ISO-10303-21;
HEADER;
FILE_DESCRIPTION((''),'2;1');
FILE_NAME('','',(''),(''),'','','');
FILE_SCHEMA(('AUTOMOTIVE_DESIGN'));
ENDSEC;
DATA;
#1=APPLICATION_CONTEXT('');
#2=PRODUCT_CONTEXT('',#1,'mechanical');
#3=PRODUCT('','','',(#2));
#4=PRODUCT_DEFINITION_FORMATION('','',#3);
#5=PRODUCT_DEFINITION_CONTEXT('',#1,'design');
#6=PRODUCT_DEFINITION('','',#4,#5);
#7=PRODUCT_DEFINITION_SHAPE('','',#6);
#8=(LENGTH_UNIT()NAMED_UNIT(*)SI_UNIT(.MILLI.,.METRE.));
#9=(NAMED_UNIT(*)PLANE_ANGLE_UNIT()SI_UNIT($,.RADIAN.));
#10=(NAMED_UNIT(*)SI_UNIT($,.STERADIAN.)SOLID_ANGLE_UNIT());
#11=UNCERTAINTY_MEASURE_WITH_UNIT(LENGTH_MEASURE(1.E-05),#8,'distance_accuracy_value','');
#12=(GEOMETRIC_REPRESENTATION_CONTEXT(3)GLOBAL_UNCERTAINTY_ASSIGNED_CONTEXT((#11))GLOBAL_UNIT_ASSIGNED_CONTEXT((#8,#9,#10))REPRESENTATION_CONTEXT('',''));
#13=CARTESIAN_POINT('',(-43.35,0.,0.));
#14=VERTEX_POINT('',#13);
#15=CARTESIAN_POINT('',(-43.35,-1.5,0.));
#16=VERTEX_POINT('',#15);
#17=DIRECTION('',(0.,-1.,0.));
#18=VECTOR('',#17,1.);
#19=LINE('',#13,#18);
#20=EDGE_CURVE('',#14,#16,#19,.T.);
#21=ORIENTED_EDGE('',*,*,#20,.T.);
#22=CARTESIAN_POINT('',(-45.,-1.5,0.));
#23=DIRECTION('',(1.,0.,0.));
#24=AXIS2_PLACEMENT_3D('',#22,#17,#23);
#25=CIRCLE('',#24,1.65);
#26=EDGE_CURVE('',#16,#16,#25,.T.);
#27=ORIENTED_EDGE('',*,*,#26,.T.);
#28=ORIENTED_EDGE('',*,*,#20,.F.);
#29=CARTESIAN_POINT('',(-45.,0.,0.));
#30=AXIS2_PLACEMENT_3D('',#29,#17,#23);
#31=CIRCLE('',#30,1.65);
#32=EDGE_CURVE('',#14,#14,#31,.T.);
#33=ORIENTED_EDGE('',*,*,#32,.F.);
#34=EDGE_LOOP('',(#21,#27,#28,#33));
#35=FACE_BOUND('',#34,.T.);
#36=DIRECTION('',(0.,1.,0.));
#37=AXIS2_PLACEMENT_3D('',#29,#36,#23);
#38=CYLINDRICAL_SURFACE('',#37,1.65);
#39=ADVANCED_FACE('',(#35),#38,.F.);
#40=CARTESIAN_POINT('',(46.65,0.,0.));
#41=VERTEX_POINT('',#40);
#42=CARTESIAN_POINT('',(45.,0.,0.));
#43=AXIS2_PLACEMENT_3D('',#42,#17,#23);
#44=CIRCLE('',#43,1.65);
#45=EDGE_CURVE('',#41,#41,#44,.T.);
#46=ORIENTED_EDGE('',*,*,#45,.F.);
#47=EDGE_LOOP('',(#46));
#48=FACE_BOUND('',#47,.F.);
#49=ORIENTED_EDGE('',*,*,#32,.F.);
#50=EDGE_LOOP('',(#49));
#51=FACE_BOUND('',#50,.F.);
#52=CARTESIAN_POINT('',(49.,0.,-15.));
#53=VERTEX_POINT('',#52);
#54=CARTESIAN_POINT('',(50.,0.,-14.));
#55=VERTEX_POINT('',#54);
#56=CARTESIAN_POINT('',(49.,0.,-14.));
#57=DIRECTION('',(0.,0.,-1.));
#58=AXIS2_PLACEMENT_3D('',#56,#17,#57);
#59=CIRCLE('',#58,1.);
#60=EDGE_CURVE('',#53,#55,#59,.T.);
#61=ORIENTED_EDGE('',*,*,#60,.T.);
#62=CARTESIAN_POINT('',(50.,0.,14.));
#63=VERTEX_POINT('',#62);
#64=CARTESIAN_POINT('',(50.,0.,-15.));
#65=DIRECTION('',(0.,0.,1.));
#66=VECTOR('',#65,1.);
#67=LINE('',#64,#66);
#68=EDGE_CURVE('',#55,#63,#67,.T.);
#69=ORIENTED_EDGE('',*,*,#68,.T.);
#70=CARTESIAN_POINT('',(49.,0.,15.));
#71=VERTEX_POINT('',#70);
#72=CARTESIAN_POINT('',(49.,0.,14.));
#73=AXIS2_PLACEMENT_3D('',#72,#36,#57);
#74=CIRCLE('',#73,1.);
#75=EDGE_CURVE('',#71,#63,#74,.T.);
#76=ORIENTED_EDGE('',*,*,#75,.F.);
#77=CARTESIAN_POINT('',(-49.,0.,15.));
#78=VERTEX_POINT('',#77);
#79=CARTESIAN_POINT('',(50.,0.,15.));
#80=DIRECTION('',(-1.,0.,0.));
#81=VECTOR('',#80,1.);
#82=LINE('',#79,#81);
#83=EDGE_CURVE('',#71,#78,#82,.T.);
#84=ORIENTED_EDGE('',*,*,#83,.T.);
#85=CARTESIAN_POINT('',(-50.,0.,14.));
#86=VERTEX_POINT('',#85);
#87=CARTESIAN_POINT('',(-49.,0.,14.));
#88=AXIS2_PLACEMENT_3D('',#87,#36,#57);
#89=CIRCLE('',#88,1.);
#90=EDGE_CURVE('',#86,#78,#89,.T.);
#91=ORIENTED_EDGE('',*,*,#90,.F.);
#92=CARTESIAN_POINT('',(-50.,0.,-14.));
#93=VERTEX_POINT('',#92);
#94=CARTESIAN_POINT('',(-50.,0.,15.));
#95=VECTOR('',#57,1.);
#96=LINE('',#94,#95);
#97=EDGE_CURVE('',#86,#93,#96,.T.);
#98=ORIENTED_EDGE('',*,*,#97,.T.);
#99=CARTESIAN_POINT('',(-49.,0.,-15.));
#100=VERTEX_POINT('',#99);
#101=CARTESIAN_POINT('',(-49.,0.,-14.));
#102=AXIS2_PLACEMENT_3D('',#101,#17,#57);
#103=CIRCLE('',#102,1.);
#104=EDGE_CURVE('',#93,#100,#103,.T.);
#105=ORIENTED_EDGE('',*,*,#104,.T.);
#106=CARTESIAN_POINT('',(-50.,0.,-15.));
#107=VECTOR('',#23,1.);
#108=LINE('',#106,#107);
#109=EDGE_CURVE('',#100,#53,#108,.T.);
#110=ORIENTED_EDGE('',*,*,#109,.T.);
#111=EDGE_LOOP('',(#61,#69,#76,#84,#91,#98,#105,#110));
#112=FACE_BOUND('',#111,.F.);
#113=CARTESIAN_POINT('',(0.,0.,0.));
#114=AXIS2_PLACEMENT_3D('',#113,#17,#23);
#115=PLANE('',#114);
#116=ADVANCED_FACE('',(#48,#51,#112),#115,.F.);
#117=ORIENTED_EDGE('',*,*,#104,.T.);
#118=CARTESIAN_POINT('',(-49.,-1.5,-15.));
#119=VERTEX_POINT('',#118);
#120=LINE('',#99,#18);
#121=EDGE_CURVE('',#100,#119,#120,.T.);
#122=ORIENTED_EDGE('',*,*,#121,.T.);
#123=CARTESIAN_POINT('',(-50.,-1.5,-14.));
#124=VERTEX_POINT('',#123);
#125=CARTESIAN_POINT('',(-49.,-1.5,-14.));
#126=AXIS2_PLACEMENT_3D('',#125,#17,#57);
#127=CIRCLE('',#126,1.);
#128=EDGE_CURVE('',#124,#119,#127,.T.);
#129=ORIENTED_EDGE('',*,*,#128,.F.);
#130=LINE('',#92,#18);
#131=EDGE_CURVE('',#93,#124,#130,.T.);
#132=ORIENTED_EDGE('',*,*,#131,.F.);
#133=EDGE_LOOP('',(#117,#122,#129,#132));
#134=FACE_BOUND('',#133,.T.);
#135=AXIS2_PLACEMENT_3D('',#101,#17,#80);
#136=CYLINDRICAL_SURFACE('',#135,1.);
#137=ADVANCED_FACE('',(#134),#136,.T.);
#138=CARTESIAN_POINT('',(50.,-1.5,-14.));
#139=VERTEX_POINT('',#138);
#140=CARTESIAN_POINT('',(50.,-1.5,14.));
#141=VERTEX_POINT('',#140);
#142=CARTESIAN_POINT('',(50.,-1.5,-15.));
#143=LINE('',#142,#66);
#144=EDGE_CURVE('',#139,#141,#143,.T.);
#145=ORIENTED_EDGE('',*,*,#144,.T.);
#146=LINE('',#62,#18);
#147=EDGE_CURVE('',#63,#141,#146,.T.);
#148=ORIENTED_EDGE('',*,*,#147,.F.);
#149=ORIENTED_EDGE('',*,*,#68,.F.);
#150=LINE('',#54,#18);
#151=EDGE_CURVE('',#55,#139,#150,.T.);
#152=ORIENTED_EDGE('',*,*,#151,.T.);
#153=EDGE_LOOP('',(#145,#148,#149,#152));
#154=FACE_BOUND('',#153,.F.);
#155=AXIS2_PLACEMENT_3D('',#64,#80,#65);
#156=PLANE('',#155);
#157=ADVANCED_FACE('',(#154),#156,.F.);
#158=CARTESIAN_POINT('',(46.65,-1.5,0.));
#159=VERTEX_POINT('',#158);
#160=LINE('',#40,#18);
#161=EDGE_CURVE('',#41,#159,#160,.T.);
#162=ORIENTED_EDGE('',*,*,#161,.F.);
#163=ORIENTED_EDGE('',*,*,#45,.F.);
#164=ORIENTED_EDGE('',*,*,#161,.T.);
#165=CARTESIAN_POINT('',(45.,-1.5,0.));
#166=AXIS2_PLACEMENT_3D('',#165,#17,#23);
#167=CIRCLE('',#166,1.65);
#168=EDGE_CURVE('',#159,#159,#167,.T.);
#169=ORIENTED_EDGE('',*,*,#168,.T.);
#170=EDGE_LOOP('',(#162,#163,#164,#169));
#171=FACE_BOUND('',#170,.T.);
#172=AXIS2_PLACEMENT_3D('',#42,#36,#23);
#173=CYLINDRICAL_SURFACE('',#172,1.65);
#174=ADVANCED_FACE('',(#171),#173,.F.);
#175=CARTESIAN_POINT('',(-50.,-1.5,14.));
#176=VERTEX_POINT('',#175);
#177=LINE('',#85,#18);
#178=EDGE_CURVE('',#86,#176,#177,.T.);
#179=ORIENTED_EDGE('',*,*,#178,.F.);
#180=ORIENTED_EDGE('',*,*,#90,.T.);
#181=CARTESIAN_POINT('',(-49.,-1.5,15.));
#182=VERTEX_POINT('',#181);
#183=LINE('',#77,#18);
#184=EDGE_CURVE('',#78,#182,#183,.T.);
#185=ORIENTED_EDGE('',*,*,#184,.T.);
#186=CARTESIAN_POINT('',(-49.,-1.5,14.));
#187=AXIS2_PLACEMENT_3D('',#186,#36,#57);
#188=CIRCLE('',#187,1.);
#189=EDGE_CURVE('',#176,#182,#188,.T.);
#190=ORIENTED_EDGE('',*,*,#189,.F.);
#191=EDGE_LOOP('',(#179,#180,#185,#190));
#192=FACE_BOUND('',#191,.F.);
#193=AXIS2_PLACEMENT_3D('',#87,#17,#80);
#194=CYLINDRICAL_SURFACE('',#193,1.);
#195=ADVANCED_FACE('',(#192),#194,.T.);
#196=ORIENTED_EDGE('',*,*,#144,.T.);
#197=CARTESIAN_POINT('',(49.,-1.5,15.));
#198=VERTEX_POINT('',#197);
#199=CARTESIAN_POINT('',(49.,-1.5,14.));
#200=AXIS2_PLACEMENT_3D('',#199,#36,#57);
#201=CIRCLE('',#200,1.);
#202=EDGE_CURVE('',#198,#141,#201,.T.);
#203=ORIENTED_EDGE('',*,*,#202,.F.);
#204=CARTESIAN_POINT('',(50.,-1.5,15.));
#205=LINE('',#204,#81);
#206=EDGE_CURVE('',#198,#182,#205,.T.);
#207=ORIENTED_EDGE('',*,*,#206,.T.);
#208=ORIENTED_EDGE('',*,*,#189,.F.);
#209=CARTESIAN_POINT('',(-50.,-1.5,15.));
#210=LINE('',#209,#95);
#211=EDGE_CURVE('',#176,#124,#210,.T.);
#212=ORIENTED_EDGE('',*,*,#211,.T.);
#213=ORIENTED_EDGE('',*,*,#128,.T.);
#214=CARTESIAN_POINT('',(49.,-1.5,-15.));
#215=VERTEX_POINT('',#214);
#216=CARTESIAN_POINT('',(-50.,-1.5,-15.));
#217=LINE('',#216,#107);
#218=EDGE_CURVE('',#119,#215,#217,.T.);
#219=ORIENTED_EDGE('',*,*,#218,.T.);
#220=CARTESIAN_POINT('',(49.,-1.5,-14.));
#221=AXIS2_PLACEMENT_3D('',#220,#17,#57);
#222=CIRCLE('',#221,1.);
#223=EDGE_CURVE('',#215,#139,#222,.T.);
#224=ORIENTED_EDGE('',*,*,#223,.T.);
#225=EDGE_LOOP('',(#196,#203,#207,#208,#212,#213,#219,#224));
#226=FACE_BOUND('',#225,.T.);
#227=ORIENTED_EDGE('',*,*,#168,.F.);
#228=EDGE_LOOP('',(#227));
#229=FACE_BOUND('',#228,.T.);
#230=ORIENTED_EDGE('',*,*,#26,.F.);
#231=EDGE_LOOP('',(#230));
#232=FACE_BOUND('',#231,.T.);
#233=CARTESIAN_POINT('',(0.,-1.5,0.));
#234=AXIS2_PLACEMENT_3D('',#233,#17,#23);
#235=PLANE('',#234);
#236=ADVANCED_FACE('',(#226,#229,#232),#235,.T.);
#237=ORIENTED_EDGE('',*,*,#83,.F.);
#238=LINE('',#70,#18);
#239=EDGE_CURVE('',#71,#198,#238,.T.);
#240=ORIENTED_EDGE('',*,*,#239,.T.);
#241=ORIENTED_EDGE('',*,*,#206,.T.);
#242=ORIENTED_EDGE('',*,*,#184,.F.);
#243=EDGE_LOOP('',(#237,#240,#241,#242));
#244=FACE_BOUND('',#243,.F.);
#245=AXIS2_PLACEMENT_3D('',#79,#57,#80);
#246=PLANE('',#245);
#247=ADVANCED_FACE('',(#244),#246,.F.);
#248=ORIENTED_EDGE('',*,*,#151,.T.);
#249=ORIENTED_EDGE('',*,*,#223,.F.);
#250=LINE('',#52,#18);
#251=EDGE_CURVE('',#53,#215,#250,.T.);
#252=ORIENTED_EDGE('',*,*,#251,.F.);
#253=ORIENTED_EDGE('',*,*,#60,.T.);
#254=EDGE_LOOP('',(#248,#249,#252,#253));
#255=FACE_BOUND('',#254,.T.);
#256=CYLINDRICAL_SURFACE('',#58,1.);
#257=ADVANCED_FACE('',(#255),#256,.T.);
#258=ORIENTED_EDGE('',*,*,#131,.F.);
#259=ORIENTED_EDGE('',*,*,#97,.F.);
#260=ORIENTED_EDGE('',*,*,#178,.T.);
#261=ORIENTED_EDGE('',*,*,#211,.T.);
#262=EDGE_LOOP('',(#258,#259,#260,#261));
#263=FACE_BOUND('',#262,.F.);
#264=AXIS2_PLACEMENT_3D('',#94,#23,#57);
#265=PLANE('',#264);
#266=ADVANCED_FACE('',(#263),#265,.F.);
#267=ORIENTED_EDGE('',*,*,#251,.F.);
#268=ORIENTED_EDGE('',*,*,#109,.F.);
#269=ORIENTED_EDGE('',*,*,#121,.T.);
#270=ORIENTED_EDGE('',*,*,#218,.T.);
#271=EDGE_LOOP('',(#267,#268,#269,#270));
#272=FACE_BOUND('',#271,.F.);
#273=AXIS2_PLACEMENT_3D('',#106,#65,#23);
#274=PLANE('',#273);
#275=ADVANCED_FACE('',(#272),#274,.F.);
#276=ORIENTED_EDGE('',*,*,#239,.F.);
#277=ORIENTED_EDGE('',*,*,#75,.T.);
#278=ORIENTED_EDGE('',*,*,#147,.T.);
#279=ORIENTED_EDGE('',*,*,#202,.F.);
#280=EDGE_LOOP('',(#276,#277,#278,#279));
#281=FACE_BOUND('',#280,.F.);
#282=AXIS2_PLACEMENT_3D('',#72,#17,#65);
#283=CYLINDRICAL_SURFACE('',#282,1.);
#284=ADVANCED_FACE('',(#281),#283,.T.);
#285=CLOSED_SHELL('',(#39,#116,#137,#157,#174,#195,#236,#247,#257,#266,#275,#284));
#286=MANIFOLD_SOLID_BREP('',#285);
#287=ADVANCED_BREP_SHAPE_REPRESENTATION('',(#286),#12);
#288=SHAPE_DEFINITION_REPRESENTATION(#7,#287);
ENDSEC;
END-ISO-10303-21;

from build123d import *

# Parameters (mm, degrees)
F0_R     = 1.65
F1_DEPTH = 1.5
F2_R     = 1


with BuildPart() as f1:
    # F0 (on Front) → F1 (new body)
    with BuildSketch(Plane.XZ):
        Polygon((0, 15), (-50, 15), (-50, -15), (0, -15), (50, -15), (50, 15), align=None)
        with Locations((-45, 0)):
            Circle(F0_R, mode=Mode.SUBTRACT)
        with Locations((45, 0)):
            Circle(F0_R, mode=Mode.SUBTRACT)
    extrude(amount=F1_DEPTH)

    # F2
    f2_edges = [f1.edges().sort_by_distance(p)[0] for p in [
        (50, -0.75, 15),
        (50, -0.75, -15),
        (-50, -0.75, 15),
        (-50, -0.75, -15),
    ]]
    fillet(f2_edges, radius=F2_R)


solid = f1.part
